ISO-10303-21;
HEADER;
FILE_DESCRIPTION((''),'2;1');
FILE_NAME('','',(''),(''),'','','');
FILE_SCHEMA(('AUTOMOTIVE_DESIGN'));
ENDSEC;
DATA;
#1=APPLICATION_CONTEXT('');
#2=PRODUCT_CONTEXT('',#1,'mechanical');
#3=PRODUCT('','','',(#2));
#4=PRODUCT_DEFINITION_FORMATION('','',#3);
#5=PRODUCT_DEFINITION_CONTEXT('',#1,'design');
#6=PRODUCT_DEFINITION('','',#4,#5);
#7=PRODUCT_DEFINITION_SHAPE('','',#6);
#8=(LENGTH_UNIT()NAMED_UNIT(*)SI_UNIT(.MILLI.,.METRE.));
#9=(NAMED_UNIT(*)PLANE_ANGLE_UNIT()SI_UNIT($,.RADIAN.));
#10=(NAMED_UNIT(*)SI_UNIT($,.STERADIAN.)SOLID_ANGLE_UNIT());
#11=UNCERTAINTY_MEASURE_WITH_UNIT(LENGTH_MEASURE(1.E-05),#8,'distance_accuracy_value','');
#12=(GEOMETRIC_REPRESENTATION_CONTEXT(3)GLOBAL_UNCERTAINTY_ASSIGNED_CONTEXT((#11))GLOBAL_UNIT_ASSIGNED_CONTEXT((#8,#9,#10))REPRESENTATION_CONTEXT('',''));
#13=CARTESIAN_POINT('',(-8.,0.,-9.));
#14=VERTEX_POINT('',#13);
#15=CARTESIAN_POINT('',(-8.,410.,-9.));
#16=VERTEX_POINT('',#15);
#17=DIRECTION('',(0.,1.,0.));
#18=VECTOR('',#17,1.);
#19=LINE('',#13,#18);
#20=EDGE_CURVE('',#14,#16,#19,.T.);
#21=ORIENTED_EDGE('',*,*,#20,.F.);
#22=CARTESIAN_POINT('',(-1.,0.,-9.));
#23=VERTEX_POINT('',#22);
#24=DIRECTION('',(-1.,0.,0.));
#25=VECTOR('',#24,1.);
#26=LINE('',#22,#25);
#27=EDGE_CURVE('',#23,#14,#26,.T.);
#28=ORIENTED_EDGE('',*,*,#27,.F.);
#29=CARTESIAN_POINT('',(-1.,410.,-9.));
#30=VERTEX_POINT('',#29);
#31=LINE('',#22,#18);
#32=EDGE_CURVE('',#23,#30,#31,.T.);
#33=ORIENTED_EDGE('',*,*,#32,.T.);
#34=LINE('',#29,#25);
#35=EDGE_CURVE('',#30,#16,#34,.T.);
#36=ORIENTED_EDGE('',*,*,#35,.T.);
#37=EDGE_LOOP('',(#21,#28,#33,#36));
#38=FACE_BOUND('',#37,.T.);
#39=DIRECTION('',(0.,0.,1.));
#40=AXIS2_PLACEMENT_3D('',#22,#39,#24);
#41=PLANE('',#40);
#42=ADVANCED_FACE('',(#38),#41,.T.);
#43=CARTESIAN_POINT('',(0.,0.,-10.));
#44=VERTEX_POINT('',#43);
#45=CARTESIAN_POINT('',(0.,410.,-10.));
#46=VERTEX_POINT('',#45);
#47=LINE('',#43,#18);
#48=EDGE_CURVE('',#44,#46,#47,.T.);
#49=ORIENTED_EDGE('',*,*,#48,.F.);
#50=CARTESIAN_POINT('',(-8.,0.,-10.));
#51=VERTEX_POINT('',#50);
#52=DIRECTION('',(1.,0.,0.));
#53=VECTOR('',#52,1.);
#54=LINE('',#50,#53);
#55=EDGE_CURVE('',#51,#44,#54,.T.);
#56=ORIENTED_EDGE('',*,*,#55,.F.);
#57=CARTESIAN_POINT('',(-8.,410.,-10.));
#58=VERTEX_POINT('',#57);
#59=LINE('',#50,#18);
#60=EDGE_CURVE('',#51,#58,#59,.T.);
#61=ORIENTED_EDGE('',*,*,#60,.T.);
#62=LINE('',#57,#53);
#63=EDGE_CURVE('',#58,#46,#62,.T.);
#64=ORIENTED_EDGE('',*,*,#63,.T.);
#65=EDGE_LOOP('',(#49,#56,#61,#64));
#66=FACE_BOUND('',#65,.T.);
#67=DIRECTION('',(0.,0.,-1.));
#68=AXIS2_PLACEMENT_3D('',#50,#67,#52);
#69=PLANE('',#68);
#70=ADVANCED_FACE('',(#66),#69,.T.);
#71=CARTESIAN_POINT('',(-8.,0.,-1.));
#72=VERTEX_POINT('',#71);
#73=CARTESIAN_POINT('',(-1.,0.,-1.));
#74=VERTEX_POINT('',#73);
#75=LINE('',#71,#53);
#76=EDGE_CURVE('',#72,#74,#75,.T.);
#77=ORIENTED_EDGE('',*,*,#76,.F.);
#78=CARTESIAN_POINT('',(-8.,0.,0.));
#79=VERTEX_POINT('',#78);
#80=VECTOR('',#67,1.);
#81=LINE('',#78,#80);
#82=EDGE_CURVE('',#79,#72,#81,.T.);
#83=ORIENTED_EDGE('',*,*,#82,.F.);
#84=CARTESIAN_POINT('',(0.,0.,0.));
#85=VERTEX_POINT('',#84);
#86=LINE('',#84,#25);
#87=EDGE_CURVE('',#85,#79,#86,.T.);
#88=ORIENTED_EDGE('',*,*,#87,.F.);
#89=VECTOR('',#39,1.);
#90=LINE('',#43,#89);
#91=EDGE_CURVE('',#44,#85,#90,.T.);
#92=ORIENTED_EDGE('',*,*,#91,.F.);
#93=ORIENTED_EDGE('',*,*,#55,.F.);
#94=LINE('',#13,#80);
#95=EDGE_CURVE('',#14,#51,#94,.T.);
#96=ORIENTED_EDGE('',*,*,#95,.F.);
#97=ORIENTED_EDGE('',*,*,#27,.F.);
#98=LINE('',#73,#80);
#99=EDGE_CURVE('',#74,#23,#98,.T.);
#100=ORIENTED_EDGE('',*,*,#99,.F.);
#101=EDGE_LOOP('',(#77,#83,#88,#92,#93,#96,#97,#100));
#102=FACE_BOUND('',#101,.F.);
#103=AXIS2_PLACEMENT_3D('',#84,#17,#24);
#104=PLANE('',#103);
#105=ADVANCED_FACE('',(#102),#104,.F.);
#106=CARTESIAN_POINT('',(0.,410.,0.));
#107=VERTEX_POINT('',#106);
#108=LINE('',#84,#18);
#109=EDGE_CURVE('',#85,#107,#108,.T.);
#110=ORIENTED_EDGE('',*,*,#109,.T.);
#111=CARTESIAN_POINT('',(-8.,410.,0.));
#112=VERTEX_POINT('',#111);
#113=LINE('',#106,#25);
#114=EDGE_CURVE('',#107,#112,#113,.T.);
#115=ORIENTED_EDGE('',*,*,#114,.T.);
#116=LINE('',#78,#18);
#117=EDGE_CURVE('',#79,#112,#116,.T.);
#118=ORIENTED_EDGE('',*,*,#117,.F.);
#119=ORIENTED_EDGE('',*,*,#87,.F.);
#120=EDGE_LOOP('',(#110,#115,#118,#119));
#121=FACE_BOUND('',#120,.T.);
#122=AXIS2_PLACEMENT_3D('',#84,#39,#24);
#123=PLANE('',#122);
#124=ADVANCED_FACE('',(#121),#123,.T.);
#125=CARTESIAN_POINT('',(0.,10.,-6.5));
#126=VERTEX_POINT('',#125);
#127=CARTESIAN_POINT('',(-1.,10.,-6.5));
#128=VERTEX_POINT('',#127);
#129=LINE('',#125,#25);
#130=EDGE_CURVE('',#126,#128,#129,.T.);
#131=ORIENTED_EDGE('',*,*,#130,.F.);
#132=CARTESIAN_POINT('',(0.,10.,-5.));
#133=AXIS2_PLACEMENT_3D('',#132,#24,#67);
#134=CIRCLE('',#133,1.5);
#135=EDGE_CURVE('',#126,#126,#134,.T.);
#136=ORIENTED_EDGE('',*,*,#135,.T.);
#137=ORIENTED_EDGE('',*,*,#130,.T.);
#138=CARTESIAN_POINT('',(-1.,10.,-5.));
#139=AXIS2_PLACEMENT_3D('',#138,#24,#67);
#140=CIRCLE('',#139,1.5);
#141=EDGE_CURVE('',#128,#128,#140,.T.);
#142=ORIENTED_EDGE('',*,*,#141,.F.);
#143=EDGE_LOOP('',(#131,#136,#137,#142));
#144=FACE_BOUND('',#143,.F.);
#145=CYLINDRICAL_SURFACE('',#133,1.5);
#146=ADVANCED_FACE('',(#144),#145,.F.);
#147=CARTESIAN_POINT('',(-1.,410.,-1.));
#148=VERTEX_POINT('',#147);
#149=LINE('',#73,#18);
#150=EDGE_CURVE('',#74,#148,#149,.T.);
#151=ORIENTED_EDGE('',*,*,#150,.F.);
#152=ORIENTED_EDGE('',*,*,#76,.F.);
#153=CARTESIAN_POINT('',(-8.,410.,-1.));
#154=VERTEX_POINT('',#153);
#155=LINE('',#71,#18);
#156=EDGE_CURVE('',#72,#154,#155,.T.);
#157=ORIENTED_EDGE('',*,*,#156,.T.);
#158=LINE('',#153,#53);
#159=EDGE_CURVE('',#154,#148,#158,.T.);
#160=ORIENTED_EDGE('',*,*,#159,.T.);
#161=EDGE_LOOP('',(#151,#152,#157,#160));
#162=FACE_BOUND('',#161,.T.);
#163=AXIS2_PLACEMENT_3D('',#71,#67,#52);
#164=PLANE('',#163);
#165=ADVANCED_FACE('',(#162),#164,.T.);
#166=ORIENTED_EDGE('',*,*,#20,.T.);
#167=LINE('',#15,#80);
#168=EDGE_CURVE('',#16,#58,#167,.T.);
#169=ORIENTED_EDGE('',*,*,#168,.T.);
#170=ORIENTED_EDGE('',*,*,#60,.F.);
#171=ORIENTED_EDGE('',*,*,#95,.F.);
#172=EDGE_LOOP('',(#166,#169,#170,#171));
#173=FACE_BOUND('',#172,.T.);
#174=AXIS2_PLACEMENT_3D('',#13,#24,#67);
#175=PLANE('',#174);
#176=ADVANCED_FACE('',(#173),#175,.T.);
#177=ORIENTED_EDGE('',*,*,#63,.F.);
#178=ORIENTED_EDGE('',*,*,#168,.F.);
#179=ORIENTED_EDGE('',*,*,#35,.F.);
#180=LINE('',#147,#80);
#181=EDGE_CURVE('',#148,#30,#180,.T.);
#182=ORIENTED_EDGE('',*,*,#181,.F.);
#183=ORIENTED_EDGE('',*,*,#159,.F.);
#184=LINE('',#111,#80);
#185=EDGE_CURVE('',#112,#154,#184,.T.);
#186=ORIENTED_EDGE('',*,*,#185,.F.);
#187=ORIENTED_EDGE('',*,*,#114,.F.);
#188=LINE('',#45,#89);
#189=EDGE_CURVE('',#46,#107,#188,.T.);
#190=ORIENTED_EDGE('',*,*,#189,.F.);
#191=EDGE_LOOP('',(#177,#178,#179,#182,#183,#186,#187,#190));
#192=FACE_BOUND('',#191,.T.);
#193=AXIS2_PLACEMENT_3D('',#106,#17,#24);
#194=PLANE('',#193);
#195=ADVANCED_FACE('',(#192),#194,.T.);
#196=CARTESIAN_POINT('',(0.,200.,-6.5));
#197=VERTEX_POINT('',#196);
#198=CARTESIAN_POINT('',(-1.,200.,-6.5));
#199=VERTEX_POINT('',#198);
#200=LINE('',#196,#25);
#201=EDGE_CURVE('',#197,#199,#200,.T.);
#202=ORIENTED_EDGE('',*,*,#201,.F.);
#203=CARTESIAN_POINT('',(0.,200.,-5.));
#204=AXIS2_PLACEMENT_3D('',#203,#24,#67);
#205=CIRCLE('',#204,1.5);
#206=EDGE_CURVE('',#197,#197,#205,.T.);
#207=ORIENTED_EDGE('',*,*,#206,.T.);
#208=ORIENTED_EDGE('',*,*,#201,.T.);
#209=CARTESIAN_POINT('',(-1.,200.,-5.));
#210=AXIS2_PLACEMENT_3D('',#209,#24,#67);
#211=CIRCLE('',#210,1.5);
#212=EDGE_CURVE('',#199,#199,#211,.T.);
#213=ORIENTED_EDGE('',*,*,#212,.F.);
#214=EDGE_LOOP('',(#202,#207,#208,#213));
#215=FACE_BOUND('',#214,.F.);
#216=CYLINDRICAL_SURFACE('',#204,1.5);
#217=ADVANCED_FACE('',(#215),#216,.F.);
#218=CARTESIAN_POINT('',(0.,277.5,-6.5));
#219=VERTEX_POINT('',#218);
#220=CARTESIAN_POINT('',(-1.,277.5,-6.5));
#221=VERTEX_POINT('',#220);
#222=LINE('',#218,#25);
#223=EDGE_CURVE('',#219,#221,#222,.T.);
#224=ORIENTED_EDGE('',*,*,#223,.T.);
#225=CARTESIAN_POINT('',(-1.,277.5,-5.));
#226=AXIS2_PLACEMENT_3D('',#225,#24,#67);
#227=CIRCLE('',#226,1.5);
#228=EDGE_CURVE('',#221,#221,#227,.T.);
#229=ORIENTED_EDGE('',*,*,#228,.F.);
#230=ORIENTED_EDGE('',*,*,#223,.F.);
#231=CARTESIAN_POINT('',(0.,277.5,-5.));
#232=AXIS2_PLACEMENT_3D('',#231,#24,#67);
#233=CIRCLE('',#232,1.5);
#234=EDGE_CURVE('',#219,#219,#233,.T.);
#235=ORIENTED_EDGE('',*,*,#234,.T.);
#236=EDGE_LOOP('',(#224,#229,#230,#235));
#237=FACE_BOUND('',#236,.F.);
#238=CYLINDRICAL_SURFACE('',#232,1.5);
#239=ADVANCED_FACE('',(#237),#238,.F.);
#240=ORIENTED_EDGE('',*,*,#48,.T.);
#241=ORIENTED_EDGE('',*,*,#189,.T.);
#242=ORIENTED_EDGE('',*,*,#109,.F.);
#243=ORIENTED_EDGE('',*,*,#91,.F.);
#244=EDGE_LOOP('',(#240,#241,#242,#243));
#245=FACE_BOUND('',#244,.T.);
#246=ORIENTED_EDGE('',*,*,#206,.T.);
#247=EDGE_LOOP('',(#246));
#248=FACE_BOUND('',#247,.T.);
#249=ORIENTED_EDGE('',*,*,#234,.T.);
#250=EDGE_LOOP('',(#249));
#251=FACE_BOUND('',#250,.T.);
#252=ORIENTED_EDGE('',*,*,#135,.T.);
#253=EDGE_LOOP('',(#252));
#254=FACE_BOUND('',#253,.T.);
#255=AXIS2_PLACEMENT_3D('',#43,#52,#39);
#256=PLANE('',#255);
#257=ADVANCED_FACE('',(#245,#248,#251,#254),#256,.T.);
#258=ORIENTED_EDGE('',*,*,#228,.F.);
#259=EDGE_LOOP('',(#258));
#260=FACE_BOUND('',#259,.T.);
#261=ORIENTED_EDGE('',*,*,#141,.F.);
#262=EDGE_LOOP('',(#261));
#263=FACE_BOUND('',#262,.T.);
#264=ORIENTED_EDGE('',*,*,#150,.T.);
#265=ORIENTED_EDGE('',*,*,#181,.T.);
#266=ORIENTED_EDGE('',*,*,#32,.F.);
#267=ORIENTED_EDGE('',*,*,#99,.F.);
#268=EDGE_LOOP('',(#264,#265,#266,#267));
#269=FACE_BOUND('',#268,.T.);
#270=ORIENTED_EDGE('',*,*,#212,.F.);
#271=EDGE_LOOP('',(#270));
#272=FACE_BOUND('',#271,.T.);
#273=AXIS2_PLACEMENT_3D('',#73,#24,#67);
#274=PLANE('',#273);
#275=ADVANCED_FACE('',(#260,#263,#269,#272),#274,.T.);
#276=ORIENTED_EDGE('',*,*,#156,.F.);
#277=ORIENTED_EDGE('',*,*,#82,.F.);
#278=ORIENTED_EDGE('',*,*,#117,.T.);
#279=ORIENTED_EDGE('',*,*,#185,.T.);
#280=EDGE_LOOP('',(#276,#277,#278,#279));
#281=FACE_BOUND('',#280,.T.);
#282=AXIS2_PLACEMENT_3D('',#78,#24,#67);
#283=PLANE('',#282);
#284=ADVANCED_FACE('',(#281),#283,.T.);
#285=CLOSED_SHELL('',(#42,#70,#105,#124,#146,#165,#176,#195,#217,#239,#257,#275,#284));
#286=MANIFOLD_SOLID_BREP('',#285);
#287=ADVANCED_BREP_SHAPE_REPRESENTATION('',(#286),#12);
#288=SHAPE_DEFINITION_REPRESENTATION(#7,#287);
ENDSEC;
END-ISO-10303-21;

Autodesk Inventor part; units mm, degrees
ref_plane "YZ Plane" through (0, 0, 0) normal (1, 0, 0) x (0, 1, 0)
ref_plane "XZ Plane" through (0, 0, 0) normal (0, 1, 0) x (-1, 0, 0)
ref_plane "XY Plane" through (0, 0, 0) normal (0, 0, 1) x (1, 0, 0)
sketch "Sketch1" plane through (0, 0, 0) normal (0, 1, 0) x (-1, 0, 0)
  line L0 (0, 0) -> (8, 0)
  line L1 (8, -10) -> (0, -10)
  line L2 (0, -10) -> (0, 0)
  line L3 (8, -1) -> (1, -1)
  line L4 (1, -1) -> (1, -9)
  line L5 (1, -9) -> (8, -9)
  line L6 (8, 0) -> (8, -1)
  line L7 (8, -9) -> (8, -10)
  dimension "d0" = 1
  dimension "d1" = 1
  dimension "d2" = 1
  dimension "d3" = 10
  dimension "d4" = 8
extrude "Extrusion1" add sketch "Sketch1" along normal blind 410
sketch "Sketch2" plane through (0, 0, 0) normal (1, 0, 0) x (0, 0, -1)
  line L0 (0, 0) -> (10, 0) projected
  line L1 (0, 0) -> (0, 410) projected
  point P0 (5, 10)
  dimension "d7" = 10
  dimension "d8" = 5
hole "Hole1" at (0, 10, -5) direction (-1, 0, 0) diameter 3 depth 8 tip angle 118
sketch "Sketch3" plane through (0, 0, 0) normal (1, 0, 0) x (0, 0, -1)
  line L0 (0, 0) -> (0, 410) projected
  line L1 (0, 410) -> (10, 410) projected
  point P0 (5, 277.5)
  point P1 (5, 410)
  dimension "d16" = 5
  dimension "d17" = 132.5
hole "Hole2" at (0, 277.5, -5) direction (-1, 0, 0) diameter 3 depth 8 tip angle 118
sketch "Sketch5" plane through (0, 0, 0) normal (1, 0, 0) x (0, 0, -1)
  line L0 (0, 0) -> (0, 410) projected
  circle A0 centre (5, 10) radius 1.5 projected
  point P0 (5, 200)
  dimension "d25" = 5
  dimension "d26" = 190
hole "Hole3" at (0, 200, -5) direction (-1, 0, 0) diameter 3 depth 8 tip angle 118
properties part number "Stringer" material "Aluminum"
